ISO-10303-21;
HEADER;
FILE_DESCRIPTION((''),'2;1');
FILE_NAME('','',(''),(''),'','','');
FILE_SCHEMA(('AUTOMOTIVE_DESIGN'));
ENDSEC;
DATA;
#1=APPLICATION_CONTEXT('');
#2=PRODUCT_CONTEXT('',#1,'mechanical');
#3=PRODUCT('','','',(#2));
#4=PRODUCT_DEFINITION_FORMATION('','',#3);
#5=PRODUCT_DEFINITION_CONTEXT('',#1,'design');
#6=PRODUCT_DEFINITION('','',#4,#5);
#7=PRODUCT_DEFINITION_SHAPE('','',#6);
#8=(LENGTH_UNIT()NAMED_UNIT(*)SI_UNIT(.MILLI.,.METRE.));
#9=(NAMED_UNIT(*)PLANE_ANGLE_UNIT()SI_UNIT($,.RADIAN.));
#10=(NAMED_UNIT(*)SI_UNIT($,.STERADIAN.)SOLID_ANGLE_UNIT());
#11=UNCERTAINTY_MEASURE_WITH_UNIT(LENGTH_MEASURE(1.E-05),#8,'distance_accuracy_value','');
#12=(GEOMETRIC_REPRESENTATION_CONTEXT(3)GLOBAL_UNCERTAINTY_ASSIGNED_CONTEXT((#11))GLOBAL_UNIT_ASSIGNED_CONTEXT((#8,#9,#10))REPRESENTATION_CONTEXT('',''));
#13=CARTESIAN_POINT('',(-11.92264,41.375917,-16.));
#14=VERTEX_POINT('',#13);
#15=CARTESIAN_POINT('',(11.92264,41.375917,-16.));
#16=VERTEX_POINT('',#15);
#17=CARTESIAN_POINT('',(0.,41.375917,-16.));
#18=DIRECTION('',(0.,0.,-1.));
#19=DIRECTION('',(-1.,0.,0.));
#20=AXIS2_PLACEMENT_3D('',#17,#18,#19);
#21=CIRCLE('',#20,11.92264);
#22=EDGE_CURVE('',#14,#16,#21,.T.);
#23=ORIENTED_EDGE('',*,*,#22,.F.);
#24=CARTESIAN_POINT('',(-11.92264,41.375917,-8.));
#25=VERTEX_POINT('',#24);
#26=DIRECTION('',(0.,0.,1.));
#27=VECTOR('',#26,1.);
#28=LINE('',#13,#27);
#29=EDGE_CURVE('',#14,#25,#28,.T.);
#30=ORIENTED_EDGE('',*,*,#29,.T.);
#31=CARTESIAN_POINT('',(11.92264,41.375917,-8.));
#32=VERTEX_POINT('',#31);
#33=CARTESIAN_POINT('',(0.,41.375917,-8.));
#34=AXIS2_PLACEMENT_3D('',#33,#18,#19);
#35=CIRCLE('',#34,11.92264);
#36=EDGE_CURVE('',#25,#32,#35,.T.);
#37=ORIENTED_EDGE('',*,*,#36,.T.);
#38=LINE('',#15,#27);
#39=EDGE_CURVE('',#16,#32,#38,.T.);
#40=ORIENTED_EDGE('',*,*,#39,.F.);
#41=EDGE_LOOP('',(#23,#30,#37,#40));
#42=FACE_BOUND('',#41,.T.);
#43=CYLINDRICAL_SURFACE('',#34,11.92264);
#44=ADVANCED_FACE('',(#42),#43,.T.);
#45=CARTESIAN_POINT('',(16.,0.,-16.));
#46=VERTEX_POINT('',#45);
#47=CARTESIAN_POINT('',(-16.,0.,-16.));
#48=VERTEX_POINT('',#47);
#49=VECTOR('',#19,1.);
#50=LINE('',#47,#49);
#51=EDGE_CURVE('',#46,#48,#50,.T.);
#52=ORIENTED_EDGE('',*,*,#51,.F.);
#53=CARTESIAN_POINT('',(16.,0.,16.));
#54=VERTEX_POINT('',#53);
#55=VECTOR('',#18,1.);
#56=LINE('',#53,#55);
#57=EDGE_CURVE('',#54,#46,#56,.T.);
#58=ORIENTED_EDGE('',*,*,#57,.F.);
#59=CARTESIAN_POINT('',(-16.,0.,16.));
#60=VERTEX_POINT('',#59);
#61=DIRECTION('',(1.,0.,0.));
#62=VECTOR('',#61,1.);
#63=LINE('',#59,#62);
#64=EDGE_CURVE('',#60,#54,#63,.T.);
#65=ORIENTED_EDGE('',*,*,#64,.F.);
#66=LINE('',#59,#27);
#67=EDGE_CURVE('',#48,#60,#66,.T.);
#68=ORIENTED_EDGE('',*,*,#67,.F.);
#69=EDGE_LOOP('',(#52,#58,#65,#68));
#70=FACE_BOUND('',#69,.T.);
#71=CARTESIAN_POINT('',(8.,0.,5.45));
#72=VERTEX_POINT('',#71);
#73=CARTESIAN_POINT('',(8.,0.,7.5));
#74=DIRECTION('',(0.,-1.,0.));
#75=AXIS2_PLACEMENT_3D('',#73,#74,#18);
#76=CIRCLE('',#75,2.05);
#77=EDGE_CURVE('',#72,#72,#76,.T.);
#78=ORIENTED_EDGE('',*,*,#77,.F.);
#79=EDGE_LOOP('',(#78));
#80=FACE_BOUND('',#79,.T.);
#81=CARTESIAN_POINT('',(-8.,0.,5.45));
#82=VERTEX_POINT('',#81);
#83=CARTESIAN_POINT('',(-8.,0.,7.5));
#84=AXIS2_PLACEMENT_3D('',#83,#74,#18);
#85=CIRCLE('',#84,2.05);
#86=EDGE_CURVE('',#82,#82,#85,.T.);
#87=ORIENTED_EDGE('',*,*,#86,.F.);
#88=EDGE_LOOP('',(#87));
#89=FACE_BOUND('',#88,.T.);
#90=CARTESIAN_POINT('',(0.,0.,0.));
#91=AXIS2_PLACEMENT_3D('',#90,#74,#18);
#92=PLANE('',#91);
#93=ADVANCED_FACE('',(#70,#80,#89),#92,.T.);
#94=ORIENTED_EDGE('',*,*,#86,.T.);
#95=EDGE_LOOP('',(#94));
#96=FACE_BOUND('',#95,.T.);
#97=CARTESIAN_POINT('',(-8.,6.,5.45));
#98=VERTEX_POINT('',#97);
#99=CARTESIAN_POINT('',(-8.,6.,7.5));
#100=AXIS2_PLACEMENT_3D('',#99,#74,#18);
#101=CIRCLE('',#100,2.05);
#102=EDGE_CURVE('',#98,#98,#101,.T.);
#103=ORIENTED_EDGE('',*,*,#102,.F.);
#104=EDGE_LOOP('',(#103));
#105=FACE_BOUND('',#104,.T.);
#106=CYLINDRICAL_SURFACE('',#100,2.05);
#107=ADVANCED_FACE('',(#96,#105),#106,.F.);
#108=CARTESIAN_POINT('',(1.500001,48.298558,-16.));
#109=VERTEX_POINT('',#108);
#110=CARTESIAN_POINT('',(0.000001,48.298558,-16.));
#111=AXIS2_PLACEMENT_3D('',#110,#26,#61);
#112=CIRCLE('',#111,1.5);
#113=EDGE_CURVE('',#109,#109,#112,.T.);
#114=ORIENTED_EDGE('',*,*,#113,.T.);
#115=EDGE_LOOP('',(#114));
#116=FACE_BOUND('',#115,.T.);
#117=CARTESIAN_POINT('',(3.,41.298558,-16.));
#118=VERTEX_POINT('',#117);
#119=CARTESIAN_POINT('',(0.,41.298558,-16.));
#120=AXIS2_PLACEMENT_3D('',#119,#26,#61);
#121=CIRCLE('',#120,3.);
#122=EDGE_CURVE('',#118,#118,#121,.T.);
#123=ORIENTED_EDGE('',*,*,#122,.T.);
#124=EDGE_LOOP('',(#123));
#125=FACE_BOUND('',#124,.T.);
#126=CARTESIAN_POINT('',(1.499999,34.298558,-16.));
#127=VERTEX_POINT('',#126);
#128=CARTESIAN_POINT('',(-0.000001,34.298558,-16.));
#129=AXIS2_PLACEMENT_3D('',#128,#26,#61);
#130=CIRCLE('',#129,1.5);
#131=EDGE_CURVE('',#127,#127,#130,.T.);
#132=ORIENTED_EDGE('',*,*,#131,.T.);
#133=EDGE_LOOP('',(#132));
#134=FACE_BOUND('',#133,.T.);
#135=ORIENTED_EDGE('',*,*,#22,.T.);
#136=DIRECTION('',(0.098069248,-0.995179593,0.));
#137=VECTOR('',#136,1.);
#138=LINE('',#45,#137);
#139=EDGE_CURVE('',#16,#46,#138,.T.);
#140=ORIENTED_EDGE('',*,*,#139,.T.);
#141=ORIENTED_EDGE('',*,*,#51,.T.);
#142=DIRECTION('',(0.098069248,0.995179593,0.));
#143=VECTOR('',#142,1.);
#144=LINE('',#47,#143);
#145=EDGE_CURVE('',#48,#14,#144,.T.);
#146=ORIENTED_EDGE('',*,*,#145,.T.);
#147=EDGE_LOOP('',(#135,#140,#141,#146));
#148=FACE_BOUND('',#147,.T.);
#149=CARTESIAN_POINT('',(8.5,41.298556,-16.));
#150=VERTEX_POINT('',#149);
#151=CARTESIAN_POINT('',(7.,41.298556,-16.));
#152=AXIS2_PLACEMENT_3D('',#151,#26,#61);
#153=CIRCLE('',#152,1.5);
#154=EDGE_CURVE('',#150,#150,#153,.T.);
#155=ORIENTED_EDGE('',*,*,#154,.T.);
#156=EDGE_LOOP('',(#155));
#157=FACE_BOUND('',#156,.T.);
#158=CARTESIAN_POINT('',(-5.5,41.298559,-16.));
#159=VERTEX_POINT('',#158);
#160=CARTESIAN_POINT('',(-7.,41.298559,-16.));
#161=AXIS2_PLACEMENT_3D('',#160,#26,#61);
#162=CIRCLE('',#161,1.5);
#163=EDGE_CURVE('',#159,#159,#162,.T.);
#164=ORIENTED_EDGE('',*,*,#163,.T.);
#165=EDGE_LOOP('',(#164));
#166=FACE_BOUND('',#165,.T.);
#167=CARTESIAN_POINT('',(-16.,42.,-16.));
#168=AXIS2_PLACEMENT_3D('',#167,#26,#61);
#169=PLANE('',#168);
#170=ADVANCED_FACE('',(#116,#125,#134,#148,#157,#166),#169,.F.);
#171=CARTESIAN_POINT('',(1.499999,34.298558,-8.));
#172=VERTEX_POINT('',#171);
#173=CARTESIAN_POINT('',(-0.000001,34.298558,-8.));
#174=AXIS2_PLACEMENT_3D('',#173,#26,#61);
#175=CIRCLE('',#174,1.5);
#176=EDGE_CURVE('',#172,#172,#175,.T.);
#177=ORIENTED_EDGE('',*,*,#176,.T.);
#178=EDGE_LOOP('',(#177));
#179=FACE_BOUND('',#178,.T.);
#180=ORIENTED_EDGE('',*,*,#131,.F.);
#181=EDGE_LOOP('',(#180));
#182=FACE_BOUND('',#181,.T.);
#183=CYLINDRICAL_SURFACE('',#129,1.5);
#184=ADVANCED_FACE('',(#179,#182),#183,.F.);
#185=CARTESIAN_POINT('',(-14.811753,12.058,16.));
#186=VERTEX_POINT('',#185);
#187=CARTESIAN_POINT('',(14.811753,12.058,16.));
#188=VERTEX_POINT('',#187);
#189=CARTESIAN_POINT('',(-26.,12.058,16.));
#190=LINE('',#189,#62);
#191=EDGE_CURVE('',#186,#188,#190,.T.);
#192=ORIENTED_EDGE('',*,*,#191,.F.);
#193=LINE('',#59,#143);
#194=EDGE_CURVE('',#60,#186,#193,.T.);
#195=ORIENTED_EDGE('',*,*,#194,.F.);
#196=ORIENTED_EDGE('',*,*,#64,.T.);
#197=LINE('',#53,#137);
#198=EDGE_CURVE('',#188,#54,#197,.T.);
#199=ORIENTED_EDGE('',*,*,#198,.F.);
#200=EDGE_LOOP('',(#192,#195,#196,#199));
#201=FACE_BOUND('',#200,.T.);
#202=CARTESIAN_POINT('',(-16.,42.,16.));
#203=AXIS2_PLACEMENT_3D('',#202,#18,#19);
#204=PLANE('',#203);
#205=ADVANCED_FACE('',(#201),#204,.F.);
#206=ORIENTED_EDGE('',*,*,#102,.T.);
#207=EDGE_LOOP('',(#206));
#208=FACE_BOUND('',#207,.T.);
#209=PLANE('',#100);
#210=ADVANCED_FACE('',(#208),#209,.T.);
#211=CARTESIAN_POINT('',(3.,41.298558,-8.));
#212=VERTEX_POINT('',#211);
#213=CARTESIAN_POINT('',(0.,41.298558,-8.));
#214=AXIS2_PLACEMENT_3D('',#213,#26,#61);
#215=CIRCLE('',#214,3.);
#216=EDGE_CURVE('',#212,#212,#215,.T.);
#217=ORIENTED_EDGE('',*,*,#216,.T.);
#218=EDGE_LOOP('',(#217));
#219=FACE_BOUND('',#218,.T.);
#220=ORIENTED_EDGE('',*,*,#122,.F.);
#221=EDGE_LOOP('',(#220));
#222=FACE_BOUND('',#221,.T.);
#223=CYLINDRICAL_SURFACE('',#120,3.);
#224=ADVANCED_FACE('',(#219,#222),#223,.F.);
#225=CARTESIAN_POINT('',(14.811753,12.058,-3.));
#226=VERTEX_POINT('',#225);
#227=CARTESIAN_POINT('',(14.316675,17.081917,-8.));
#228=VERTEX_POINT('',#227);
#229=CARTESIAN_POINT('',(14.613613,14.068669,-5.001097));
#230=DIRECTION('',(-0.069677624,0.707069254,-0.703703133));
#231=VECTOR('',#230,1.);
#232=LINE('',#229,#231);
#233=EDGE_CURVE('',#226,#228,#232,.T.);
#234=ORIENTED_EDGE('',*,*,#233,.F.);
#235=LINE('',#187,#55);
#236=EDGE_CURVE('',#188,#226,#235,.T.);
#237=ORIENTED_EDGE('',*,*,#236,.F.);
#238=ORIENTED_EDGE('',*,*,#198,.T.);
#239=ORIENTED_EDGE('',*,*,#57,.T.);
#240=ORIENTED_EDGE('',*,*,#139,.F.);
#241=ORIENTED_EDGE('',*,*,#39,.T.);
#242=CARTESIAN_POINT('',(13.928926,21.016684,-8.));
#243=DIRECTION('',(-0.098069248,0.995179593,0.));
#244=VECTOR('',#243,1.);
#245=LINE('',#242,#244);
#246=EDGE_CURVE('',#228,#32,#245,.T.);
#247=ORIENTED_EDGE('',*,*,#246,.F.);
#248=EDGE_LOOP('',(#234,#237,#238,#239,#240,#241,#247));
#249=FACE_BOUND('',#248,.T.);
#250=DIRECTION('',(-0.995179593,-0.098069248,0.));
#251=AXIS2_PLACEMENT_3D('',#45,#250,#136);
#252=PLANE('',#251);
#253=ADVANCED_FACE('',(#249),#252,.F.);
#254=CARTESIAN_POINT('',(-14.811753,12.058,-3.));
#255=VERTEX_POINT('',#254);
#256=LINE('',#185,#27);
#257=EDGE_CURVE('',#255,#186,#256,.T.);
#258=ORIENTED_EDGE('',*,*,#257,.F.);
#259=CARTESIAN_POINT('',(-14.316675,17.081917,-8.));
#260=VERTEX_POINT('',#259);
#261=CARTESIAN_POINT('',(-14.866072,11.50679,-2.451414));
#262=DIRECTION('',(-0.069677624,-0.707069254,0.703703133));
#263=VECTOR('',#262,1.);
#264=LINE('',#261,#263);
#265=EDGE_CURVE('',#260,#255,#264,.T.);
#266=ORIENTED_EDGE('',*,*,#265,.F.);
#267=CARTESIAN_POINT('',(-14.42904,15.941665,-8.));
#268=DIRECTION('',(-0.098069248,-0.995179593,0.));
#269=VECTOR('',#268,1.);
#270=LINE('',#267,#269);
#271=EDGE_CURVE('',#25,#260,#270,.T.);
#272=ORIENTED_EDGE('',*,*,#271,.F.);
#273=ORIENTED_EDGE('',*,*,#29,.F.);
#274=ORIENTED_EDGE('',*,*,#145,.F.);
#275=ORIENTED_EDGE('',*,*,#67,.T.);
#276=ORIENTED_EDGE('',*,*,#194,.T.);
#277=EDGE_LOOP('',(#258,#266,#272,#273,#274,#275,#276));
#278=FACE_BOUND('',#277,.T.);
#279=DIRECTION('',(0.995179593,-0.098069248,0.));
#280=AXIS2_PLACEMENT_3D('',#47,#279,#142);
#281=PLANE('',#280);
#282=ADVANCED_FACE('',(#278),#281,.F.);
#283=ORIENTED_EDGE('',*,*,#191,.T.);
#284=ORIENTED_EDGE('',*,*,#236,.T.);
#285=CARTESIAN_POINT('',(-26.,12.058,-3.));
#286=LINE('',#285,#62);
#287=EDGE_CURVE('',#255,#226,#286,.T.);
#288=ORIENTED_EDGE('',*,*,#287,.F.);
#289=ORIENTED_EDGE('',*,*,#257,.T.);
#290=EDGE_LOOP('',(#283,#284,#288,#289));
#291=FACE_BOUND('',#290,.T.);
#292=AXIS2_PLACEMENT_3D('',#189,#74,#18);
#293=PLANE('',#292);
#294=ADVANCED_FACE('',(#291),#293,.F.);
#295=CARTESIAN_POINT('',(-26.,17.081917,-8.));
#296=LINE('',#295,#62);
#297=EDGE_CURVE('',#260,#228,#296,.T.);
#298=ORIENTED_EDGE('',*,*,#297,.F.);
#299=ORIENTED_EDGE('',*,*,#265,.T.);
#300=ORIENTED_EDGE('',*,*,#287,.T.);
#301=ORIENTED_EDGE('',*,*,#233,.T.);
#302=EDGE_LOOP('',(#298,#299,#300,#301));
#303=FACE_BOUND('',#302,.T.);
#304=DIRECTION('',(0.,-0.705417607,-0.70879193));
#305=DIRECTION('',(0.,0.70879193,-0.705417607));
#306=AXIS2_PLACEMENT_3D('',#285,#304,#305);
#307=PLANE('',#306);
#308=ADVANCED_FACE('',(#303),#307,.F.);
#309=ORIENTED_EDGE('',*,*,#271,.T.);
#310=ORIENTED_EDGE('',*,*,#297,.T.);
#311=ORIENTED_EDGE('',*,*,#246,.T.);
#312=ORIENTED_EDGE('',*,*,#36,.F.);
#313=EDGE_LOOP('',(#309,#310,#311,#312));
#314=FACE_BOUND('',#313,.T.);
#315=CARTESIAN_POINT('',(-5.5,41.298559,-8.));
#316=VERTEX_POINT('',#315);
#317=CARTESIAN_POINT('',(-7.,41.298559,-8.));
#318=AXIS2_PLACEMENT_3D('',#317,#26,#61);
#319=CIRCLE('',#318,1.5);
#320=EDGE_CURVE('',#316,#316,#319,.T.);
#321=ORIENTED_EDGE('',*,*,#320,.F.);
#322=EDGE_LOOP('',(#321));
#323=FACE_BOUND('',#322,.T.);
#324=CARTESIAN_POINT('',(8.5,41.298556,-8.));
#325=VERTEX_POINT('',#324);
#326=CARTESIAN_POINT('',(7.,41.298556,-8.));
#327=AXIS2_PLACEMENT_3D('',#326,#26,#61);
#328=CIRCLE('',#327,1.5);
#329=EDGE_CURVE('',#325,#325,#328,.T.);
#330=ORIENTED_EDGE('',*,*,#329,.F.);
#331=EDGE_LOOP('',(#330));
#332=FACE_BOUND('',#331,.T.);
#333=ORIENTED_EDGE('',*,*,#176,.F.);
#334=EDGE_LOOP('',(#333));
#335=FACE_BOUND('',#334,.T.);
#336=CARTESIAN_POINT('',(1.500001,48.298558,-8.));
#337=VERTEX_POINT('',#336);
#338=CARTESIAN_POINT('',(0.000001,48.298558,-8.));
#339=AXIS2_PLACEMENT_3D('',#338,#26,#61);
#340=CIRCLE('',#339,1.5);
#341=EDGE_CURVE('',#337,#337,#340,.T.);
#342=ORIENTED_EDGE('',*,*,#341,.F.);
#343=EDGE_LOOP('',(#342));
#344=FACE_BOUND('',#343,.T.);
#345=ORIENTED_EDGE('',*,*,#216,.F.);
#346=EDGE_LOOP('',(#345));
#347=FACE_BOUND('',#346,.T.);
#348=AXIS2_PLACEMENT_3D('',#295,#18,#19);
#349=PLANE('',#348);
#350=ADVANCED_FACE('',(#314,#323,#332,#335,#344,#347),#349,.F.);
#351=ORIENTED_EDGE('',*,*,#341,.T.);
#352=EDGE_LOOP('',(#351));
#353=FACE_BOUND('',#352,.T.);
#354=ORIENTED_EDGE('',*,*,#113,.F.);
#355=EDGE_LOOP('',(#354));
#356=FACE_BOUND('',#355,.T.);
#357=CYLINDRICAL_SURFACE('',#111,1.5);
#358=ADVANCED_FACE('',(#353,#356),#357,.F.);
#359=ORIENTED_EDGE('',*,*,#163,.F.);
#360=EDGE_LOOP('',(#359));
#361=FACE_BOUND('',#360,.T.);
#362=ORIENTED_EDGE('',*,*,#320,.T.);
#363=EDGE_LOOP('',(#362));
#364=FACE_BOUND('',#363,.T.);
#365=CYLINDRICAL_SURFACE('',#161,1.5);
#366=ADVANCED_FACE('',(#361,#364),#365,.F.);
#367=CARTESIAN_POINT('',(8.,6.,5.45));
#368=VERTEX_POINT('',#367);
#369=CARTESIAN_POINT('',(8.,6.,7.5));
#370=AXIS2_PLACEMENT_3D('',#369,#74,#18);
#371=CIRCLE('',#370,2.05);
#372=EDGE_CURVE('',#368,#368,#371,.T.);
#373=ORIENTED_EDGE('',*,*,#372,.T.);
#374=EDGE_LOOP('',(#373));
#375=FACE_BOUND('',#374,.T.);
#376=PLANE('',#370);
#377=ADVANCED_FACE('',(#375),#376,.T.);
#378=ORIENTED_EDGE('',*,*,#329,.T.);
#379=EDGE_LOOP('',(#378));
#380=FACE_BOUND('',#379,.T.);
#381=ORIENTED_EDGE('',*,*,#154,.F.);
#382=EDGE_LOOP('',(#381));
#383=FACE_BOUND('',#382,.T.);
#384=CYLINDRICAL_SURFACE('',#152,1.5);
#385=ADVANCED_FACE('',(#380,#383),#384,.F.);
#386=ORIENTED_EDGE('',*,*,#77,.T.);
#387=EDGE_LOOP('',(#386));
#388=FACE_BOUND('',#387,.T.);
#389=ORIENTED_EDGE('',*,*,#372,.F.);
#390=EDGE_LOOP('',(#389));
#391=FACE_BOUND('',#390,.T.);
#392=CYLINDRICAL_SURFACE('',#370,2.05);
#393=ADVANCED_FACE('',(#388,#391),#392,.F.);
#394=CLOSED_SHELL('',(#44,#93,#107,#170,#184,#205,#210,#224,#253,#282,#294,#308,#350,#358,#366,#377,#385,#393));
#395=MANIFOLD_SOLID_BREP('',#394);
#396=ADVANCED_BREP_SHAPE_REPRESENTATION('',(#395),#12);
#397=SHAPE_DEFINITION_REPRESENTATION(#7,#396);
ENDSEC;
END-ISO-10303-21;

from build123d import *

# Parameters (mm, degrees)
CROQUIS1_W              = 32
CROQUIS1_H              = 32
SALIENTE_EXTRUIR1_DEPTH = 42
CORTAR_EXTRUIR1_DEPTH   = 42
CROQUIS3_W              = 8
CROQUIS3_H              = 0.624082803
CORTAR_EXTRUIR2_DEPTH   = 42
CORTAR_EXTRUIR3_DEPTH   = 55.698871322
CROQUIS7_R              = 11.922640385
SALIENTE_EXTRUIR3_DEPTH = 8
CROQUIS8_R              = 3
CROQUIS8_R_2            = 1.5
CORTAR_EXTRUIR5_DEPTH   = 61.603104214
CROQUIS9_R              = 2.05
CORTAR_EXTRUIR6_DEPTH   = 6


with BuildPart() as part:
    # Croquis1 → Saliente-Extruir1 (new body)
    with BuildSketch(Plane(origin=(0, 0, 0), x_dir=(1, 0, 0), z_dir=(0, 1, 0))):
        Rectangle(CROQUIS1_W, CROQUIS1_H)
    extrude(amount=SALIENTE_EXTRUIR1_DEPTH)

    # Croquis2 → Cortar-Extruir1 (cut)
    with BuildSketch(Plane(origin=(16, 0, 0), x_dir=(0, 0, -1), z_dir=(1, 0, 0))):
        Polygon((-16, 12.058), (3, 12.058), (8, 17.081917197), (8, 42), (-16, 42), align=None)
    extrude(amount=-CORTAR_EXTRUIR1_DEPTH, mode=Mode.SUBTRACT)

    # Croquis3 → Cortar-Extruir2 (cut)
    with BuildSketch(Plane(origin=(16, 0, 0), x_dir=(0, 0, -1), z_dir=(1, 0, 0))):
        with Locations((12, 41.687958599)):
            Rectangle(CROQUIS3_W, CROQUIS3_H)
    extrude(amount=-CORTAR_EXTRUIR2_DEPTH, mode=Mode.SUBTRACT)

    # Croquis6 → Cortar-Extruir3 (cut, through all)
    with BuildSketch(Plane.XY.offset(16)):
        Polygon((-16, 0), (-11.922640385, 41.375917197), (-16, 41.375917197), align=None)
        Polygon((16, 0), (11.922640385, 41.375917197), (16, 41.375917197), align=None)
    extrude(amount=-CORTAR_EXTRUIR3_DEPTH, mode=Mode.SUBTRACT)

    # Croquis7 → Saliente-Extruir3 (add)
    with BuildSketch(Plane(origin=(0, 0, -16), x_dir=(-1, 0, 0), z_dir=(0, 0, -1))):
        with Locations((0, 41.375917197)):
            Circle(CROQUIS7_R)
    extrude(amount=-SALIENTE_EXTRUIR3_DEPTH)

    # Croquis8 → Cortar-Extruir5 (cut, through all)
    with BuildSketch(Plane.XY.offset(-8)):
        with Locations((0, 41.298557582)):
            Circle(CROQUIS8_R)
        with Locations((1.182e-06, 48.298557582)):
            Circle(CROQUIS8_R_2)
        with Locations((7, 41.2985564)):
            Circle(CROQUIS8_R_2)
        with Locations((-1.182e-06, 34.298557582)):
            Circle(CROQUIS8_R_2)
        with Locations((-7, 41.298558764)):
            Circle(CROQUIS8_R_2)
    extrude(amount=-CORTAR_EXTRUIR5_DEPTH, mode=Mode.SUBTRACT)

    # Croquis9 → Cortar-Extruir6 (cut)
    with BuildSketch(Plane.XZ):
        with Locations(Location((-8, 7.5, 0), (0, 0, 270))):
            Circle(CROQUIS9_R)
        with Locations(Location((8, 7.5, 0), (0, 0, 270))):
            Circle(CROQUIS9_R)
    extrude(amount=-CORTAR_EXTRUIR6_DEPTH, mode=Mode.SUBTRACT)


solid = part.part
